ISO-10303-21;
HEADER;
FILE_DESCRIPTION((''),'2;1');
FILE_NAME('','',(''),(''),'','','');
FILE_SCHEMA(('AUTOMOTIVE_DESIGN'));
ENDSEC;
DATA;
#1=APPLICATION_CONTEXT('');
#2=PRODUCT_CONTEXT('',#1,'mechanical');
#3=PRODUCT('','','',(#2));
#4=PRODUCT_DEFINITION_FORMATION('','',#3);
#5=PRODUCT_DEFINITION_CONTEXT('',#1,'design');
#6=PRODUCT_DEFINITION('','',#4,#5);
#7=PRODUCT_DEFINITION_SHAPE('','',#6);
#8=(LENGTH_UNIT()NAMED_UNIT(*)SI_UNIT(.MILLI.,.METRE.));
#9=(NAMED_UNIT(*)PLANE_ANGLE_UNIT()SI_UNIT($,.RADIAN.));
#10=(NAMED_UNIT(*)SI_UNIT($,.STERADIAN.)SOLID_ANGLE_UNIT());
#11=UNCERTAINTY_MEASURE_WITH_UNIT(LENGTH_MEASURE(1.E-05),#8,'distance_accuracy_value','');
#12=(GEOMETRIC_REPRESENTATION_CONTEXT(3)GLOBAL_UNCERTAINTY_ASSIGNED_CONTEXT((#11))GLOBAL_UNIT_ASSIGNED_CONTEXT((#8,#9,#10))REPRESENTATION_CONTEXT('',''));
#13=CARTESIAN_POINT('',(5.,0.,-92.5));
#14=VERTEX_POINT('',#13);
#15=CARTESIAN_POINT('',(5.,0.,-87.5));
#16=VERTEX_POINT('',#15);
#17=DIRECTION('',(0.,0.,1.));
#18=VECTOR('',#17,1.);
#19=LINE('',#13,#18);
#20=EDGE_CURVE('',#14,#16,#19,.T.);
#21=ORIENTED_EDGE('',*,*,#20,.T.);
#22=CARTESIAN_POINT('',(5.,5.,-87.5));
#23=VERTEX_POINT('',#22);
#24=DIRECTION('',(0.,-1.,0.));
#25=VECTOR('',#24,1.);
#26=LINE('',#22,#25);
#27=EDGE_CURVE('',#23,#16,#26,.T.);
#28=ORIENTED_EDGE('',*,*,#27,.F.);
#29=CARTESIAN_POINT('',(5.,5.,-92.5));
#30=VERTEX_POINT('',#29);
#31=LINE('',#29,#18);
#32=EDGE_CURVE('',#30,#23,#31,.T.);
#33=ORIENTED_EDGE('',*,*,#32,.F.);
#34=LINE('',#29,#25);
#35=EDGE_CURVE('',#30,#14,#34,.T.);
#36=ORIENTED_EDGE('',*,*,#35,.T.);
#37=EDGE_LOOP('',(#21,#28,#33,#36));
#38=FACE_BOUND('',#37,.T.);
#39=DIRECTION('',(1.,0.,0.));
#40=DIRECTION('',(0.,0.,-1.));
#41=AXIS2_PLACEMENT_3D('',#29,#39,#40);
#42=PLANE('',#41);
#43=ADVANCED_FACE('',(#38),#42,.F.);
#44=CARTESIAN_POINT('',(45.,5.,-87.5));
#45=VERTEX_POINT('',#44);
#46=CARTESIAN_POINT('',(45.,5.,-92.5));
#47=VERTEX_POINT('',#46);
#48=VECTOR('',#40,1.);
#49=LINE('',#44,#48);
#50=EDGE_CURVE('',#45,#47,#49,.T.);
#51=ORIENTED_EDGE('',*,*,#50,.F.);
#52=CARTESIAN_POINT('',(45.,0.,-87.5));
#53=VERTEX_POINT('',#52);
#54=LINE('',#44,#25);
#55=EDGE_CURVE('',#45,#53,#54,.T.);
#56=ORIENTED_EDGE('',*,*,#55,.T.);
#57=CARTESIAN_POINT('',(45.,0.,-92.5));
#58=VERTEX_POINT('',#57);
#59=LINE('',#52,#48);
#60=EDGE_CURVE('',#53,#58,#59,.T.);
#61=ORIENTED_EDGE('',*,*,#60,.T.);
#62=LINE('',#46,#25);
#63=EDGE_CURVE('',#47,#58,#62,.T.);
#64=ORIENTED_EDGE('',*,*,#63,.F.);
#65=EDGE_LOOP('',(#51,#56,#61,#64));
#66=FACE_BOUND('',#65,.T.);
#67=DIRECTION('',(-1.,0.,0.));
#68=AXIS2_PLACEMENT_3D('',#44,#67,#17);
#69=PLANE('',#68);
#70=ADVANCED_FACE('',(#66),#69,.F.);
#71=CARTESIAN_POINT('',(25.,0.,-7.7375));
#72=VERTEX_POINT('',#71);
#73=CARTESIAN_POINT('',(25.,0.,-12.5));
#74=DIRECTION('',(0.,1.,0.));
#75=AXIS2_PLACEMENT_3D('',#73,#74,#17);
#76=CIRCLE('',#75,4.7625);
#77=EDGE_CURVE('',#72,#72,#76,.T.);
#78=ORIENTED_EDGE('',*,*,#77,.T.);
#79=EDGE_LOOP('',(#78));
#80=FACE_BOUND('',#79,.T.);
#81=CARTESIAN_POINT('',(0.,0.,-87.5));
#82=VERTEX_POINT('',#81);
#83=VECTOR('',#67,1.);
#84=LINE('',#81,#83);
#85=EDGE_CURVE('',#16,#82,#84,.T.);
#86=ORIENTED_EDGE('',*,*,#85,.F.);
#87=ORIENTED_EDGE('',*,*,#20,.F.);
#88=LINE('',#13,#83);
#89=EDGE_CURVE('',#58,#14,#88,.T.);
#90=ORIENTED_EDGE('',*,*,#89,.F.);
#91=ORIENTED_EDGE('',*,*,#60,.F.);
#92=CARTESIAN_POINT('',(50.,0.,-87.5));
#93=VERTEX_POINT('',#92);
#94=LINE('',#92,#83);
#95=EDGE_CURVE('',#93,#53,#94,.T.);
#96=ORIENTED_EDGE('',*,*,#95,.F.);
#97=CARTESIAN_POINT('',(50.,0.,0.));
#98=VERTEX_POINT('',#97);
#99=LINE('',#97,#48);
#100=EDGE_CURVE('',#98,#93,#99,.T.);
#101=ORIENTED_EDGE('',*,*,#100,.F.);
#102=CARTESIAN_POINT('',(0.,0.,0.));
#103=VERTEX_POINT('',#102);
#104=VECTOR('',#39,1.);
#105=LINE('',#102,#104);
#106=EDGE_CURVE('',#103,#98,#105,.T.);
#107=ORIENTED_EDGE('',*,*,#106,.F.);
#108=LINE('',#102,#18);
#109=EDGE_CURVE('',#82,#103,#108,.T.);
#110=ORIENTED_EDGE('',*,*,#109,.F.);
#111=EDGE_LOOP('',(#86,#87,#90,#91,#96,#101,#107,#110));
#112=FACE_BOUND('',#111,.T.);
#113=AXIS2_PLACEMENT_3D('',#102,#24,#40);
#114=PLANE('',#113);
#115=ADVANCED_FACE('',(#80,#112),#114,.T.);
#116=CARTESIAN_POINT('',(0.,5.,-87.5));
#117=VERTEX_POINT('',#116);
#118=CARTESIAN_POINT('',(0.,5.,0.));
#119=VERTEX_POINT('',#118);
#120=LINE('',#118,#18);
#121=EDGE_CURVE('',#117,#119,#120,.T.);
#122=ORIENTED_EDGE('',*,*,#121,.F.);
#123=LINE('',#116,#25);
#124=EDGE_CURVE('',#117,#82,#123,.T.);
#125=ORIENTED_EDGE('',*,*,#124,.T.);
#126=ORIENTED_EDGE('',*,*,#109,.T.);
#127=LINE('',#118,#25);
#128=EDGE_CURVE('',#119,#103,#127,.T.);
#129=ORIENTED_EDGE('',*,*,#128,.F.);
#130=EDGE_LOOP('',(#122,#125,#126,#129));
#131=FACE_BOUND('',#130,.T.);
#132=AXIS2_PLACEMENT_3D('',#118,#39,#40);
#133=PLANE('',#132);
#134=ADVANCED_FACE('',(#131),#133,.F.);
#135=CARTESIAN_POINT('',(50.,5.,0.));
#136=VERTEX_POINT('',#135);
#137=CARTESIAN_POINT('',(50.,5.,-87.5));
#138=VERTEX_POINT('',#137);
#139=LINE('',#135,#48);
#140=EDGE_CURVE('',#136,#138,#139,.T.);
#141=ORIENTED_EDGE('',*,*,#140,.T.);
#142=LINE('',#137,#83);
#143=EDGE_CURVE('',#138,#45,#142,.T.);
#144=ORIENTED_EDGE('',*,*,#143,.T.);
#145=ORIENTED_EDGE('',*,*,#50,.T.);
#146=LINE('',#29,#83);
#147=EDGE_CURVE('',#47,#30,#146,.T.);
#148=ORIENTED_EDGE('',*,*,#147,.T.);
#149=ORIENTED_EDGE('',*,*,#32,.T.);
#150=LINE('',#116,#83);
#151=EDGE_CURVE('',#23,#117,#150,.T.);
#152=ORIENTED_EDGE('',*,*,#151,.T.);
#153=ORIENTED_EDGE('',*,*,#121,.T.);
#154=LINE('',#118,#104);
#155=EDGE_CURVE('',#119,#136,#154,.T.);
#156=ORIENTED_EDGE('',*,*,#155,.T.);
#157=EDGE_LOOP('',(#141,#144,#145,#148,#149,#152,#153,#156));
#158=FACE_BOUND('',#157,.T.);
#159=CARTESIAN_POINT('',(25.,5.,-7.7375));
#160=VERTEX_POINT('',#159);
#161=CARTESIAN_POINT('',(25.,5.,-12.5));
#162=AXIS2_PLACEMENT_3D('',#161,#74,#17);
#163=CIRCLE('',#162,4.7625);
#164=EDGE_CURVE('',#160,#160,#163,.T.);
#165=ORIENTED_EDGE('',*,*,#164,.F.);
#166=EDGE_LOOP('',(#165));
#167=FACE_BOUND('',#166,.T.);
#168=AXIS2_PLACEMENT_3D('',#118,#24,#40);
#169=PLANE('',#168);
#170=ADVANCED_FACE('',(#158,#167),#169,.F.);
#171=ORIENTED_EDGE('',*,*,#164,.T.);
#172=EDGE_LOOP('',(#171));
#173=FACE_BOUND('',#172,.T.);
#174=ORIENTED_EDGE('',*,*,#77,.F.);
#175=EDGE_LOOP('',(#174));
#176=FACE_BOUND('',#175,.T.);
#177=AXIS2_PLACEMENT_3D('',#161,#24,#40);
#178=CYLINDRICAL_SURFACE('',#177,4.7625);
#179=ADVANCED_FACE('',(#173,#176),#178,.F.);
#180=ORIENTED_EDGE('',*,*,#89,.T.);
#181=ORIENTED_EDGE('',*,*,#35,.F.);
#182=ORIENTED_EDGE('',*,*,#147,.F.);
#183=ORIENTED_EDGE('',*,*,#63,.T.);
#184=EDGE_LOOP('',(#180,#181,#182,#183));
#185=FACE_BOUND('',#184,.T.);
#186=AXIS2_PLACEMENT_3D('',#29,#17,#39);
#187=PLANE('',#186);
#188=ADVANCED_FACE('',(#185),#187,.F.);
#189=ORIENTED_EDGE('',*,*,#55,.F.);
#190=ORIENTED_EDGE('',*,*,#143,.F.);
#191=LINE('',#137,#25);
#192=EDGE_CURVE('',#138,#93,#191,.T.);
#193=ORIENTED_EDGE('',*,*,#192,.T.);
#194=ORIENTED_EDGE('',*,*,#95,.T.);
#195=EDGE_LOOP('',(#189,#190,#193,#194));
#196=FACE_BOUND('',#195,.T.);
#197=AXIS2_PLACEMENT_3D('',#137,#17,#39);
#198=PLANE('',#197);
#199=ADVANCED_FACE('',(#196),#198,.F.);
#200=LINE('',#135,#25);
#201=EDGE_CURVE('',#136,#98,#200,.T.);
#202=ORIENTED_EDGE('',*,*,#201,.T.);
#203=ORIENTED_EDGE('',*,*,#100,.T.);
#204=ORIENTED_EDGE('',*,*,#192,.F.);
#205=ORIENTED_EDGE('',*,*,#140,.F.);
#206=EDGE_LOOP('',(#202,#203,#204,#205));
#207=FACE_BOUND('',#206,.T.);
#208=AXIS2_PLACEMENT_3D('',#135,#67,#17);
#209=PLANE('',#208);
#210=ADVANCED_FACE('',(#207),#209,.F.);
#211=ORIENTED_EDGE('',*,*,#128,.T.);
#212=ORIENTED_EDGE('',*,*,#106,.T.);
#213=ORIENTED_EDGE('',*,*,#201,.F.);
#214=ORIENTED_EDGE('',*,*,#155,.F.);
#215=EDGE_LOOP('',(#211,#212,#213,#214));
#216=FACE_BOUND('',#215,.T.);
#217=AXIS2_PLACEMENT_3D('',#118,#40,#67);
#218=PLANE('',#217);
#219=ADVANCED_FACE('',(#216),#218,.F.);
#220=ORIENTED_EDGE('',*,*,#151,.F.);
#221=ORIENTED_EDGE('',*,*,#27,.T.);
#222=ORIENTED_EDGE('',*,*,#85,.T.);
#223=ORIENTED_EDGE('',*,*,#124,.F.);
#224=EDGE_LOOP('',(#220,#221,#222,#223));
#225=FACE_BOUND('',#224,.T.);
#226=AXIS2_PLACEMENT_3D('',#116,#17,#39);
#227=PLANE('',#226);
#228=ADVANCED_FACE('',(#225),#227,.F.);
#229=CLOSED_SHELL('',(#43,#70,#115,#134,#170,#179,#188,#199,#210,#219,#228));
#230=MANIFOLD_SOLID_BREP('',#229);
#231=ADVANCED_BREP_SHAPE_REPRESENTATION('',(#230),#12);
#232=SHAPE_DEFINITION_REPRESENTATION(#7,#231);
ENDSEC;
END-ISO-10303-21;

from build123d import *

# Parameters (mm, degrees)
SKETCH1_R    = 4.7625
HAMMER_DEPTH = 5


with BuildPart() as part:
    # Sketch1 → Hammer (new body)
    with BuildSketch(Plane(origin=(0, 0, 0), x_dir=(1, 0, 0), z_dir=(0, 1, 0))):
        Polygon((0, 87.5), (5, 87.5), (5, 92.5), (45, 92.5), (45, 87.5), (50, 87.5), (50, 0), (0, 0), align=None)
        with Locations((25, 12.5)):
            Circle(SKETCH1_R, mode=Mode.SUBTRACT)
    extrude(amount=HAMMER_DEPTH)


solid = part.part
